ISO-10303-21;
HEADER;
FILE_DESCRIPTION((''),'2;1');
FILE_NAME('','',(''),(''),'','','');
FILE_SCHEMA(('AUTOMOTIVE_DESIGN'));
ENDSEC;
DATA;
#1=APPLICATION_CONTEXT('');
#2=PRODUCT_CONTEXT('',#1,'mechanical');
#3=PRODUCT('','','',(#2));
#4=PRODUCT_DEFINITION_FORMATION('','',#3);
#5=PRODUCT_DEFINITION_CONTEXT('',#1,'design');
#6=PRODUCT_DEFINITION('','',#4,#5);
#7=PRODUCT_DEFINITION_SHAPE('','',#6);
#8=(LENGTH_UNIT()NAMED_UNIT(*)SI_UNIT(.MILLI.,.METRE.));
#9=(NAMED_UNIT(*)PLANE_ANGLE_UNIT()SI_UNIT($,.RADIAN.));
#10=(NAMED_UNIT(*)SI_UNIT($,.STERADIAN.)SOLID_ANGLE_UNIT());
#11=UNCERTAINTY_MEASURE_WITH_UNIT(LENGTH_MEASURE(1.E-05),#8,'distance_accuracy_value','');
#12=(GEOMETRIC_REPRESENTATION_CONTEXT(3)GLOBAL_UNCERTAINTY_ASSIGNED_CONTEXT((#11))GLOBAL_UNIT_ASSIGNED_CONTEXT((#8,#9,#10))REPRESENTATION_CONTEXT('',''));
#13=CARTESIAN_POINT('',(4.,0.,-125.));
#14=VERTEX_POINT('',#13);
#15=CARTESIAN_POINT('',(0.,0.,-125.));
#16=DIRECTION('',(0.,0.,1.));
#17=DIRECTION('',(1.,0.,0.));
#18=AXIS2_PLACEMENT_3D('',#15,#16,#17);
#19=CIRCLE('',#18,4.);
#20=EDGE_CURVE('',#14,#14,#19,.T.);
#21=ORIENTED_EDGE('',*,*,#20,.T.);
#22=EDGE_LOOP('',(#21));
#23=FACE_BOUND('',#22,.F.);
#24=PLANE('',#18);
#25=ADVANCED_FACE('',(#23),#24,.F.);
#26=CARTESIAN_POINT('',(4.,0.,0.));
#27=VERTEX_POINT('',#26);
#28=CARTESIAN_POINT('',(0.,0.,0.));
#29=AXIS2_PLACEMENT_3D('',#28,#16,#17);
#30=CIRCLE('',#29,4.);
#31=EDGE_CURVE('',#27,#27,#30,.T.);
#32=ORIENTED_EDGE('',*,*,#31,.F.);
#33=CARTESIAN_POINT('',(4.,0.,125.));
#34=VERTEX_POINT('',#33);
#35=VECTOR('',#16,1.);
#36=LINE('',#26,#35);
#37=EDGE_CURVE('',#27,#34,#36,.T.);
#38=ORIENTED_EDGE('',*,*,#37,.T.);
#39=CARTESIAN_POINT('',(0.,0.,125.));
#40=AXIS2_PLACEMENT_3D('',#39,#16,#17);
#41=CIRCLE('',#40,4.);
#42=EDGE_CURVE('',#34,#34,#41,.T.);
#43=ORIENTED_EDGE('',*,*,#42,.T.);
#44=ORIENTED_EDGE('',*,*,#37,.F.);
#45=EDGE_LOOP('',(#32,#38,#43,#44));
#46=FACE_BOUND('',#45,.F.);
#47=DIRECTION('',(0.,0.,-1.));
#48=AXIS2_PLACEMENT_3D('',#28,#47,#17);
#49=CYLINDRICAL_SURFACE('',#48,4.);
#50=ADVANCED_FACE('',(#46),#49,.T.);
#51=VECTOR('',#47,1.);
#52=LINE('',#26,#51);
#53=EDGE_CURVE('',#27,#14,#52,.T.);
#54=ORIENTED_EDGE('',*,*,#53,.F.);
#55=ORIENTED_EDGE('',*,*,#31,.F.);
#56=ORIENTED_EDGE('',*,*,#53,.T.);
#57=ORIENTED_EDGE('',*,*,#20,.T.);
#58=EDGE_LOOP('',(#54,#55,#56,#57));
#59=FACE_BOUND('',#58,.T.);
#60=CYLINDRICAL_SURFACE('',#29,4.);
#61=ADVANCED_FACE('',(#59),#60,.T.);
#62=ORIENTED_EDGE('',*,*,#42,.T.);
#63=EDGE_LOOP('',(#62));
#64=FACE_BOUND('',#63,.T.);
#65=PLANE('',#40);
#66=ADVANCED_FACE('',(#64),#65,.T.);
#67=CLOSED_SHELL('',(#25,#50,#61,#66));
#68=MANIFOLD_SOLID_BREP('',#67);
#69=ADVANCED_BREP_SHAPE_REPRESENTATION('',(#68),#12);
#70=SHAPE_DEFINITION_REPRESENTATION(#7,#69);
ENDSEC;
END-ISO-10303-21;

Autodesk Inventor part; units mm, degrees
ref_plane "YZ Plane" through (0, 0, 0) normal (1, 0, 0) x (0, 1, 0)
ref_plane "XZ Plane" through (0, 0, 0) normal (0, 1, 0) x (-1, 0, 0)
ref_plane "XY Plane" through (0, 0, 0) normal (0, 0, 1) x (1, 0, 0)
sketch "Sketch1" plane through (0, 0, 0) normal (0, 0, 1) x (1, 0, 0)
  circle A0 centre (0, 0) radius 4
  dimension "d0" = 8
extrude "Extrusion1" add sketch "Sketch1" along normal mid plane 250
properties part number "Y-Akse til glider"
